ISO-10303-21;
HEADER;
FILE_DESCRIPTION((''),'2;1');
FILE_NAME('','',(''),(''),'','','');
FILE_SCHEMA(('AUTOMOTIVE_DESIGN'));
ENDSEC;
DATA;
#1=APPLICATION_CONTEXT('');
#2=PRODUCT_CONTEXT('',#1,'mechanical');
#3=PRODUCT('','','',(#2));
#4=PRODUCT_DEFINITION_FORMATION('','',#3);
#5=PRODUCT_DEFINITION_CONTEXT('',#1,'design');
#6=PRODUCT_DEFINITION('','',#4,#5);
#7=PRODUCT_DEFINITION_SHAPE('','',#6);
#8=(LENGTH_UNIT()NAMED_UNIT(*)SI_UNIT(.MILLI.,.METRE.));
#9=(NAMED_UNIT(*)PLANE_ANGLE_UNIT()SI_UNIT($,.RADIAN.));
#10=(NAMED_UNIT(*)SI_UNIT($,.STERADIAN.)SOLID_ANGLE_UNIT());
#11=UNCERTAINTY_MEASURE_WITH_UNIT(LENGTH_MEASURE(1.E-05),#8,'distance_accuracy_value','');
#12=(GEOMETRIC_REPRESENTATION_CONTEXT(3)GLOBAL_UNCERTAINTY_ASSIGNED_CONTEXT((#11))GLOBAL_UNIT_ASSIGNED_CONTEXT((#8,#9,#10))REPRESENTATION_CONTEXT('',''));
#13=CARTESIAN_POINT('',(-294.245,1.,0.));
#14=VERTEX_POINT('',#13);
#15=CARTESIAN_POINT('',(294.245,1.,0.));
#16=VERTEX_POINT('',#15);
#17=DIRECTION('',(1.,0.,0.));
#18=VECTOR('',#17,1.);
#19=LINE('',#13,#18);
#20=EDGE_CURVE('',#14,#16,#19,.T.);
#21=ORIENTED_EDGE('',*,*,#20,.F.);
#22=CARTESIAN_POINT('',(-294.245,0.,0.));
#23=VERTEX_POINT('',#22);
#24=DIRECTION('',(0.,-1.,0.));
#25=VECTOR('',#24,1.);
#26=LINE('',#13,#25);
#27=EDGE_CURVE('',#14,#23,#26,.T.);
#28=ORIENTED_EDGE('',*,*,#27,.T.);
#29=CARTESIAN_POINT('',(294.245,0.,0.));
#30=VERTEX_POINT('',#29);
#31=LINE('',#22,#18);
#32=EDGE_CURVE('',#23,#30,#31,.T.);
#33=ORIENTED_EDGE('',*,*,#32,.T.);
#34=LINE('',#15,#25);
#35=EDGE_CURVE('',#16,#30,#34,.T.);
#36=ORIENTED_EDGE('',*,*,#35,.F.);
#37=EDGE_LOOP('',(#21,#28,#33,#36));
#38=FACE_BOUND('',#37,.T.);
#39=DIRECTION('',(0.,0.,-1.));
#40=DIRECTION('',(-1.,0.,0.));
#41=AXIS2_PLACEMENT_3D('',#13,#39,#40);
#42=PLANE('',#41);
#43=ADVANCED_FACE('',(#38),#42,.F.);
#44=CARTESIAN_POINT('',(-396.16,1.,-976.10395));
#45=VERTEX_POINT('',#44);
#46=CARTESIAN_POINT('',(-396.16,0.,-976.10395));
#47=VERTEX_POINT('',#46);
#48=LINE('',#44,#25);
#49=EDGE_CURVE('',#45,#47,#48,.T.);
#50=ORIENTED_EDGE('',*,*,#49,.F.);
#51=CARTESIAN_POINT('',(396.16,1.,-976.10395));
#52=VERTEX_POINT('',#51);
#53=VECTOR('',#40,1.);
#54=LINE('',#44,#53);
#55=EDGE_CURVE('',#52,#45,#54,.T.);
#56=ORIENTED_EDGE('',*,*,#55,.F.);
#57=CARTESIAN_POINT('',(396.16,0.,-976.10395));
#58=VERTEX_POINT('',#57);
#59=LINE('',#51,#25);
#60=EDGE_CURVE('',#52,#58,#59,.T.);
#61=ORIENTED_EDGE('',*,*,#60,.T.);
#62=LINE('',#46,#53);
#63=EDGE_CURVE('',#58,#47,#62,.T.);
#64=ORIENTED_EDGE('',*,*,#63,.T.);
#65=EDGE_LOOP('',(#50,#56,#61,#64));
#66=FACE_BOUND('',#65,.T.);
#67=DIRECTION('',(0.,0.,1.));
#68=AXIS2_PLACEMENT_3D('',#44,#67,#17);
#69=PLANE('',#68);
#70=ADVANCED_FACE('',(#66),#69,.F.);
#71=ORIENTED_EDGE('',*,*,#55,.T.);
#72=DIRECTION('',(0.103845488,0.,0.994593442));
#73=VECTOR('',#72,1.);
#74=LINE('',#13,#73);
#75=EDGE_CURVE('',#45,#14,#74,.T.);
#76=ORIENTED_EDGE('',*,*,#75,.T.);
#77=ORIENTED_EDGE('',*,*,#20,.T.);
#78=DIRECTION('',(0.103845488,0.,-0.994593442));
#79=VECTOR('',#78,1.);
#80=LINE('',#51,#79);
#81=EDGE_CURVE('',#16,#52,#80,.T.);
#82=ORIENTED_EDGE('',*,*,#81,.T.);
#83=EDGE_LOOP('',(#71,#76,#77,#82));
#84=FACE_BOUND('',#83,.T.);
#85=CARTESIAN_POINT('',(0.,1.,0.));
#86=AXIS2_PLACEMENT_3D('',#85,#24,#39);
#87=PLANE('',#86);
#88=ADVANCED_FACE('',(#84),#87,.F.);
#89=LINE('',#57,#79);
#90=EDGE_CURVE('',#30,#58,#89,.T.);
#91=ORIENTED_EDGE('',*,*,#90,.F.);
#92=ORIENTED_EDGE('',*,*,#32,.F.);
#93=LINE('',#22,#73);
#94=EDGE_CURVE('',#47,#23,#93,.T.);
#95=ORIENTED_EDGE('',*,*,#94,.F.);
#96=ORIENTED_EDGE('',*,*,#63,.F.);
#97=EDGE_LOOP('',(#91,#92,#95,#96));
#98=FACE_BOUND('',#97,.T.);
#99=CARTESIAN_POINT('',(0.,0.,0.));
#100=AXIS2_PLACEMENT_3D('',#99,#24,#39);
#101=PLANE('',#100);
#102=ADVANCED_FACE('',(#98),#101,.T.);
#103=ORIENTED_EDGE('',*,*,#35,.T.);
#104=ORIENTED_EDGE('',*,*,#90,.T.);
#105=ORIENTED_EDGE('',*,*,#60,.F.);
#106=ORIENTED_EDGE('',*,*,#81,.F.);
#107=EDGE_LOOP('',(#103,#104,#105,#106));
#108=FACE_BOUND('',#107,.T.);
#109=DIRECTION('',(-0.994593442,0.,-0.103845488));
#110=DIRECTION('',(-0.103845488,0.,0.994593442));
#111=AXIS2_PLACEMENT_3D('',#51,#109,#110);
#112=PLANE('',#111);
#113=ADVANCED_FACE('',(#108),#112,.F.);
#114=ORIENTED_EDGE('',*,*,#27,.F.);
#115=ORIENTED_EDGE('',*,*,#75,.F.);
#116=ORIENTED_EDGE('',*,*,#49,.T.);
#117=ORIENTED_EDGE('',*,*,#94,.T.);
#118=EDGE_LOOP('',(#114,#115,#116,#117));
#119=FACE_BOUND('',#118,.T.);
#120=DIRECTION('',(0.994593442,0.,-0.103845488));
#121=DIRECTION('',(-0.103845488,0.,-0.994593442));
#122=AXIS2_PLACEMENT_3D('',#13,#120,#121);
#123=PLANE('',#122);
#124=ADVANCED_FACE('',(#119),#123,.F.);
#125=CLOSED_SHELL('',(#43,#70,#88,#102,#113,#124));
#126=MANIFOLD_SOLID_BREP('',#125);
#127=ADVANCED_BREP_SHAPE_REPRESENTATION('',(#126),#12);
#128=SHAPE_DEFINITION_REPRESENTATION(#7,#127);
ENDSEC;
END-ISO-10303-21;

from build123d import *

# Parameters (mm, degrees)
CENTER_FLOOR_CLOSEOUT_DEPTH = 1


with BuildPart() as part:
    # Sketch1 → Center Floor Closeout (new body)
    with BuildSketch(Plane(origin=(0, 0, 0), x_dir=(1, 0, 0), z_dir=(0, 1, 0))):
        Polygon((-294.245, 0), (294.245, 0), (396.16, 976.103949831), (-396.16, 976.103949831), align=None)
    extrude(amount=CENTER_FLOOR_CLOSEOUT_DEPTH)


solid = part.part
